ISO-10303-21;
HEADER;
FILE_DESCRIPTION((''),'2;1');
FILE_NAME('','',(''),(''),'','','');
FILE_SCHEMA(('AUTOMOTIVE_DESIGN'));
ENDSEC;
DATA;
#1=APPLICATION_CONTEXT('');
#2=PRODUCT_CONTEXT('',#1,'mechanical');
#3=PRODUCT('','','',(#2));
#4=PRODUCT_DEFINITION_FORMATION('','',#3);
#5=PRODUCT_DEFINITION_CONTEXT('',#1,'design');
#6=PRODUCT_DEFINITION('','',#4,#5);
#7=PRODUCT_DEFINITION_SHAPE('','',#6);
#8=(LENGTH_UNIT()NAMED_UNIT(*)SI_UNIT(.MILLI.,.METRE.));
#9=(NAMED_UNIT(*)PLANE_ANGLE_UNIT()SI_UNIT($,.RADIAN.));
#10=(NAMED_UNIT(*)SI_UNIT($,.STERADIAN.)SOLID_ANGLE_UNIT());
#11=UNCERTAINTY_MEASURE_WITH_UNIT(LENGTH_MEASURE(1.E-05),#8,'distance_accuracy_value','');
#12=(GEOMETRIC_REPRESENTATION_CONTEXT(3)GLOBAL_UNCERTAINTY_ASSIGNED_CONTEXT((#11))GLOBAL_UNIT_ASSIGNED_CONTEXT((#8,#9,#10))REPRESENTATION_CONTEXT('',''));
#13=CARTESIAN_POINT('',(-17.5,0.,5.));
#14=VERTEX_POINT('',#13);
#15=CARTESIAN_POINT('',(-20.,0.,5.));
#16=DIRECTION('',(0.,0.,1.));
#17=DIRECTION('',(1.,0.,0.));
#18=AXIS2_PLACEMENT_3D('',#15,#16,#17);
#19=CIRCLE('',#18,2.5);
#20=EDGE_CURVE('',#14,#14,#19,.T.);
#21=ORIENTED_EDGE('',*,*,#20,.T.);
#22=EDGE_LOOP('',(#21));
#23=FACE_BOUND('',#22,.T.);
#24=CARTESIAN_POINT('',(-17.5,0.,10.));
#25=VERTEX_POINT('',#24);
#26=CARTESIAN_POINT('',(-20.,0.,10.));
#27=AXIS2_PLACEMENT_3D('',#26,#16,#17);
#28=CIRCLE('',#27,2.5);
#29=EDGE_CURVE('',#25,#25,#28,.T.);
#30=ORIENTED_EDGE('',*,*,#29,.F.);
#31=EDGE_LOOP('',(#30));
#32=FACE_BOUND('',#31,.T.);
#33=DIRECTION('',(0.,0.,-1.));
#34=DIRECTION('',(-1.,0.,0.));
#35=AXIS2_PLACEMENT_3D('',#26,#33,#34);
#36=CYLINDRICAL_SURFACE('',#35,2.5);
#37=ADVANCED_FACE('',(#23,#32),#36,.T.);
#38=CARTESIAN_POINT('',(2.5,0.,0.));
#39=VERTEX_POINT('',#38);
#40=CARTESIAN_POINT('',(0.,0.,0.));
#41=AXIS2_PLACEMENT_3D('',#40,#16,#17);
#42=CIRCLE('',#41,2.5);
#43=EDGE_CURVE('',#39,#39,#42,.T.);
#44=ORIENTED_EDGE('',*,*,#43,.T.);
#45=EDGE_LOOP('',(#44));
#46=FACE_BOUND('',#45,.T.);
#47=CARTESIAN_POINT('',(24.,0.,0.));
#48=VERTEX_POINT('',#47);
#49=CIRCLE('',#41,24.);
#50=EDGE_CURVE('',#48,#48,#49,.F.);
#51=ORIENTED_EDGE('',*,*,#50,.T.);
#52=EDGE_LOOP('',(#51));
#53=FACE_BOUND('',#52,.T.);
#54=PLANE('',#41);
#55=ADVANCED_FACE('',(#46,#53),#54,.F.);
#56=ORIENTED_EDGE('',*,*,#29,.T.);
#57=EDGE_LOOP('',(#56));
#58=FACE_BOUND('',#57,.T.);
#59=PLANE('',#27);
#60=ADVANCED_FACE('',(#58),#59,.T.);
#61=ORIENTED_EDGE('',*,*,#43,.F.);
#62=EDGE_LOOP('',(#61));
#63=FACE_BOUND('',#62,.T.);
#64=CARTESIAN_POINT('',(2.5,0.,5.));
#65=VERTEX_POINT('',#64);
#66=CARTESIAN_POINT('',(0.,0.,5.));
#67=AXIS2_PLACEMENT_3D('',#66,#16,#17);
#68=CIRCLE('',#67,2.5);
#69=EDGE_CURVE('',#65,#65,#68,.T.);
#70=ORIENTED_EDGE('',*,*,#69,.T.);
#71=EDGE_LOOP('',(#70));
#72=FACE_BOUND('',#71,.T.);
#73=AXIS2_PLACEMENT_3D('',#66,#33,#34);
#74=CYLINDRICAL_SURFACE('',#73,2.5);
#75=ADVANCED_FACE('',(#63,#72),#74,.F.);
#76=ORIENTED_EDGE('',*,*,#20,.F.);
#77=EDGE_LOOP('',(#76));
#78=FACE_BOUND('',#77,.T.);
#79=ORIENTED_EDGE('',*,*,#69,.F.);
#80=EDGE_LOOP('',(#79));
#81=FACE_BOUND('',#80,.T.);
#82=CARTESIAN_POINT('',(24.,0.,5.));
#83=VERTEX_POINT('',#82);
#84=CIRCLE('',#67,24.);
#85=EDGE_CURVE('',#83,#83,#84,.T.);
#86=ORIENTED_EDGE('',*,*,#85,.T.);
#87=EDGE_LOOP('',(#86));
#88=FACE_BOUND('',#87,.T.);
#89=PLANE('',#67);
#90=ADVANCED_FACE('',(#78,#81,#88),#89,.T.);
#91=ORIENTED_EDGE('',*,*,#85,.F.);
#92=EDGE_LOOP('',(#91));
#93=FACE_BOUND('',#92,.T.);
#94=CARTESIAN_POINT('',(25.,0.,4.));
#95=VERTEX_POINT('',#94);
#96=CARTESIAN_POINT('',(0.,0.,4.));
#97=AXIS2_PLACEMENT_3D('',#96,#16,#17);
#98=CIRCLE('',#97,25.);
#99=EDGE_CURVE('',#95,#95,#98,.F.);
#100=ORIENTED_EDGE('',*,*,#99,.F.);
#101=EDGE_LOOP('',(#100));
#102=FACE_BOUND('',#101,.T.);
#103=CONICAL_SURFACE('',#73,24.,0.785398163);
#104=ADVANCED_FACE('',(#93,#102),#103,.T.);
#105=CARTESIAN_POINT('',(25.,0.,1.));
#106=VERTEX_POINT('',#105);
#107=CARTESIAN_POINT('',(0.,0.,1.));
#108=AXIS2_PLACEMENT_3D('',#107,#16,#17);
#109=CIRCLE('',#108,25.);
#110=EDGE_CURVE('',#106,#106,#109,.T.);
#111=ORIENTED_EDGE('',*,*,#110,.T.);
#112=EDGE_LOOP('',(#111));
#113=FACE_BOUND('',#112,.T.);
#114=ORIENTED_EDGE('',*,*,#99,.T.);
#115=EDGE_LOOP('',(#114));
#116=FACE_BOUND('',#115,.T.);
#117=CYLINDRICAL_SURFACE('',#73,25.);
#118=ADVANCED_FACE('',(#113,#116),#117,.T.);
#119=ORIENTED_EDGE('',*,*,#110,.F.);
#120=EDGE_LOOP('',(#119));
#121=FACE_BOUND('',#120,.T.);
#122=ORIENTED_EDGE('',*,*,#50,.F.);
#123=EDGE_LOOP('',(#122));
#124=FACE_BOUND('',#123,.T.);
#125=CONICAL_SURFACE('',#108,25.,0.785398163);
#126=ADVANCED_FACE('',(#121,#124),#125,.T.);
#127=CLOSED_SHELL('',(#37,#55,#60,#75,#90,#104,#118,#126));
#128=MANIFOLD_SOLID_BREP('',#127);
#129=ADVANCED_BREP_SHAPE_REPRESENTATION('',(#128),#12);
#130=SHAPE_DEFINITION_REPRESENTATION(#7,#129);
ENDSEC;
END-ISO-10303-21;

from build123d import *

# Parameters (mm, degrees)
SKETCH1_R           = 25
SKETCH1_R_2         = 2.5
BOSS_EXTRUDE1_DEPTH = 5
SKETCH2_R           = 2.5
BOSS_EXTRUDE2_DEPTH = 5
CHAMFER1_SIZE       = 1


with BuildPart() as part:
    # Sketch1 → Boss-Extrude1 (new body)
    with BuildSketch(Plane.XY):
        Circle(SKETCH1_R)
        Circle(SKETCH1_R_2, mode=Mode.SUBTRACT)
    extrude(amount=BOSS_EXTRUDE1_DEPTH)

    # Sketch2 → Boss-Extrude2 (add)
    with BuildSketch(Plane.XY.offset(5)):
        with Locations((-20, 0)):
            Circle(SKETCH2_R)
    extrude(amount=BOSS_EXTRUDE2_DEPTH)

    # Chamfer1
    chamfer1_edges = [part.edges().sort_by_distance(p)[0] for p in [
        (-25, 0, 0),
        (-25, 0, 5),
    ]]
    chamfer(chamfer1_edges, length=CHAMFER1_SIZE)


solid = part.part
